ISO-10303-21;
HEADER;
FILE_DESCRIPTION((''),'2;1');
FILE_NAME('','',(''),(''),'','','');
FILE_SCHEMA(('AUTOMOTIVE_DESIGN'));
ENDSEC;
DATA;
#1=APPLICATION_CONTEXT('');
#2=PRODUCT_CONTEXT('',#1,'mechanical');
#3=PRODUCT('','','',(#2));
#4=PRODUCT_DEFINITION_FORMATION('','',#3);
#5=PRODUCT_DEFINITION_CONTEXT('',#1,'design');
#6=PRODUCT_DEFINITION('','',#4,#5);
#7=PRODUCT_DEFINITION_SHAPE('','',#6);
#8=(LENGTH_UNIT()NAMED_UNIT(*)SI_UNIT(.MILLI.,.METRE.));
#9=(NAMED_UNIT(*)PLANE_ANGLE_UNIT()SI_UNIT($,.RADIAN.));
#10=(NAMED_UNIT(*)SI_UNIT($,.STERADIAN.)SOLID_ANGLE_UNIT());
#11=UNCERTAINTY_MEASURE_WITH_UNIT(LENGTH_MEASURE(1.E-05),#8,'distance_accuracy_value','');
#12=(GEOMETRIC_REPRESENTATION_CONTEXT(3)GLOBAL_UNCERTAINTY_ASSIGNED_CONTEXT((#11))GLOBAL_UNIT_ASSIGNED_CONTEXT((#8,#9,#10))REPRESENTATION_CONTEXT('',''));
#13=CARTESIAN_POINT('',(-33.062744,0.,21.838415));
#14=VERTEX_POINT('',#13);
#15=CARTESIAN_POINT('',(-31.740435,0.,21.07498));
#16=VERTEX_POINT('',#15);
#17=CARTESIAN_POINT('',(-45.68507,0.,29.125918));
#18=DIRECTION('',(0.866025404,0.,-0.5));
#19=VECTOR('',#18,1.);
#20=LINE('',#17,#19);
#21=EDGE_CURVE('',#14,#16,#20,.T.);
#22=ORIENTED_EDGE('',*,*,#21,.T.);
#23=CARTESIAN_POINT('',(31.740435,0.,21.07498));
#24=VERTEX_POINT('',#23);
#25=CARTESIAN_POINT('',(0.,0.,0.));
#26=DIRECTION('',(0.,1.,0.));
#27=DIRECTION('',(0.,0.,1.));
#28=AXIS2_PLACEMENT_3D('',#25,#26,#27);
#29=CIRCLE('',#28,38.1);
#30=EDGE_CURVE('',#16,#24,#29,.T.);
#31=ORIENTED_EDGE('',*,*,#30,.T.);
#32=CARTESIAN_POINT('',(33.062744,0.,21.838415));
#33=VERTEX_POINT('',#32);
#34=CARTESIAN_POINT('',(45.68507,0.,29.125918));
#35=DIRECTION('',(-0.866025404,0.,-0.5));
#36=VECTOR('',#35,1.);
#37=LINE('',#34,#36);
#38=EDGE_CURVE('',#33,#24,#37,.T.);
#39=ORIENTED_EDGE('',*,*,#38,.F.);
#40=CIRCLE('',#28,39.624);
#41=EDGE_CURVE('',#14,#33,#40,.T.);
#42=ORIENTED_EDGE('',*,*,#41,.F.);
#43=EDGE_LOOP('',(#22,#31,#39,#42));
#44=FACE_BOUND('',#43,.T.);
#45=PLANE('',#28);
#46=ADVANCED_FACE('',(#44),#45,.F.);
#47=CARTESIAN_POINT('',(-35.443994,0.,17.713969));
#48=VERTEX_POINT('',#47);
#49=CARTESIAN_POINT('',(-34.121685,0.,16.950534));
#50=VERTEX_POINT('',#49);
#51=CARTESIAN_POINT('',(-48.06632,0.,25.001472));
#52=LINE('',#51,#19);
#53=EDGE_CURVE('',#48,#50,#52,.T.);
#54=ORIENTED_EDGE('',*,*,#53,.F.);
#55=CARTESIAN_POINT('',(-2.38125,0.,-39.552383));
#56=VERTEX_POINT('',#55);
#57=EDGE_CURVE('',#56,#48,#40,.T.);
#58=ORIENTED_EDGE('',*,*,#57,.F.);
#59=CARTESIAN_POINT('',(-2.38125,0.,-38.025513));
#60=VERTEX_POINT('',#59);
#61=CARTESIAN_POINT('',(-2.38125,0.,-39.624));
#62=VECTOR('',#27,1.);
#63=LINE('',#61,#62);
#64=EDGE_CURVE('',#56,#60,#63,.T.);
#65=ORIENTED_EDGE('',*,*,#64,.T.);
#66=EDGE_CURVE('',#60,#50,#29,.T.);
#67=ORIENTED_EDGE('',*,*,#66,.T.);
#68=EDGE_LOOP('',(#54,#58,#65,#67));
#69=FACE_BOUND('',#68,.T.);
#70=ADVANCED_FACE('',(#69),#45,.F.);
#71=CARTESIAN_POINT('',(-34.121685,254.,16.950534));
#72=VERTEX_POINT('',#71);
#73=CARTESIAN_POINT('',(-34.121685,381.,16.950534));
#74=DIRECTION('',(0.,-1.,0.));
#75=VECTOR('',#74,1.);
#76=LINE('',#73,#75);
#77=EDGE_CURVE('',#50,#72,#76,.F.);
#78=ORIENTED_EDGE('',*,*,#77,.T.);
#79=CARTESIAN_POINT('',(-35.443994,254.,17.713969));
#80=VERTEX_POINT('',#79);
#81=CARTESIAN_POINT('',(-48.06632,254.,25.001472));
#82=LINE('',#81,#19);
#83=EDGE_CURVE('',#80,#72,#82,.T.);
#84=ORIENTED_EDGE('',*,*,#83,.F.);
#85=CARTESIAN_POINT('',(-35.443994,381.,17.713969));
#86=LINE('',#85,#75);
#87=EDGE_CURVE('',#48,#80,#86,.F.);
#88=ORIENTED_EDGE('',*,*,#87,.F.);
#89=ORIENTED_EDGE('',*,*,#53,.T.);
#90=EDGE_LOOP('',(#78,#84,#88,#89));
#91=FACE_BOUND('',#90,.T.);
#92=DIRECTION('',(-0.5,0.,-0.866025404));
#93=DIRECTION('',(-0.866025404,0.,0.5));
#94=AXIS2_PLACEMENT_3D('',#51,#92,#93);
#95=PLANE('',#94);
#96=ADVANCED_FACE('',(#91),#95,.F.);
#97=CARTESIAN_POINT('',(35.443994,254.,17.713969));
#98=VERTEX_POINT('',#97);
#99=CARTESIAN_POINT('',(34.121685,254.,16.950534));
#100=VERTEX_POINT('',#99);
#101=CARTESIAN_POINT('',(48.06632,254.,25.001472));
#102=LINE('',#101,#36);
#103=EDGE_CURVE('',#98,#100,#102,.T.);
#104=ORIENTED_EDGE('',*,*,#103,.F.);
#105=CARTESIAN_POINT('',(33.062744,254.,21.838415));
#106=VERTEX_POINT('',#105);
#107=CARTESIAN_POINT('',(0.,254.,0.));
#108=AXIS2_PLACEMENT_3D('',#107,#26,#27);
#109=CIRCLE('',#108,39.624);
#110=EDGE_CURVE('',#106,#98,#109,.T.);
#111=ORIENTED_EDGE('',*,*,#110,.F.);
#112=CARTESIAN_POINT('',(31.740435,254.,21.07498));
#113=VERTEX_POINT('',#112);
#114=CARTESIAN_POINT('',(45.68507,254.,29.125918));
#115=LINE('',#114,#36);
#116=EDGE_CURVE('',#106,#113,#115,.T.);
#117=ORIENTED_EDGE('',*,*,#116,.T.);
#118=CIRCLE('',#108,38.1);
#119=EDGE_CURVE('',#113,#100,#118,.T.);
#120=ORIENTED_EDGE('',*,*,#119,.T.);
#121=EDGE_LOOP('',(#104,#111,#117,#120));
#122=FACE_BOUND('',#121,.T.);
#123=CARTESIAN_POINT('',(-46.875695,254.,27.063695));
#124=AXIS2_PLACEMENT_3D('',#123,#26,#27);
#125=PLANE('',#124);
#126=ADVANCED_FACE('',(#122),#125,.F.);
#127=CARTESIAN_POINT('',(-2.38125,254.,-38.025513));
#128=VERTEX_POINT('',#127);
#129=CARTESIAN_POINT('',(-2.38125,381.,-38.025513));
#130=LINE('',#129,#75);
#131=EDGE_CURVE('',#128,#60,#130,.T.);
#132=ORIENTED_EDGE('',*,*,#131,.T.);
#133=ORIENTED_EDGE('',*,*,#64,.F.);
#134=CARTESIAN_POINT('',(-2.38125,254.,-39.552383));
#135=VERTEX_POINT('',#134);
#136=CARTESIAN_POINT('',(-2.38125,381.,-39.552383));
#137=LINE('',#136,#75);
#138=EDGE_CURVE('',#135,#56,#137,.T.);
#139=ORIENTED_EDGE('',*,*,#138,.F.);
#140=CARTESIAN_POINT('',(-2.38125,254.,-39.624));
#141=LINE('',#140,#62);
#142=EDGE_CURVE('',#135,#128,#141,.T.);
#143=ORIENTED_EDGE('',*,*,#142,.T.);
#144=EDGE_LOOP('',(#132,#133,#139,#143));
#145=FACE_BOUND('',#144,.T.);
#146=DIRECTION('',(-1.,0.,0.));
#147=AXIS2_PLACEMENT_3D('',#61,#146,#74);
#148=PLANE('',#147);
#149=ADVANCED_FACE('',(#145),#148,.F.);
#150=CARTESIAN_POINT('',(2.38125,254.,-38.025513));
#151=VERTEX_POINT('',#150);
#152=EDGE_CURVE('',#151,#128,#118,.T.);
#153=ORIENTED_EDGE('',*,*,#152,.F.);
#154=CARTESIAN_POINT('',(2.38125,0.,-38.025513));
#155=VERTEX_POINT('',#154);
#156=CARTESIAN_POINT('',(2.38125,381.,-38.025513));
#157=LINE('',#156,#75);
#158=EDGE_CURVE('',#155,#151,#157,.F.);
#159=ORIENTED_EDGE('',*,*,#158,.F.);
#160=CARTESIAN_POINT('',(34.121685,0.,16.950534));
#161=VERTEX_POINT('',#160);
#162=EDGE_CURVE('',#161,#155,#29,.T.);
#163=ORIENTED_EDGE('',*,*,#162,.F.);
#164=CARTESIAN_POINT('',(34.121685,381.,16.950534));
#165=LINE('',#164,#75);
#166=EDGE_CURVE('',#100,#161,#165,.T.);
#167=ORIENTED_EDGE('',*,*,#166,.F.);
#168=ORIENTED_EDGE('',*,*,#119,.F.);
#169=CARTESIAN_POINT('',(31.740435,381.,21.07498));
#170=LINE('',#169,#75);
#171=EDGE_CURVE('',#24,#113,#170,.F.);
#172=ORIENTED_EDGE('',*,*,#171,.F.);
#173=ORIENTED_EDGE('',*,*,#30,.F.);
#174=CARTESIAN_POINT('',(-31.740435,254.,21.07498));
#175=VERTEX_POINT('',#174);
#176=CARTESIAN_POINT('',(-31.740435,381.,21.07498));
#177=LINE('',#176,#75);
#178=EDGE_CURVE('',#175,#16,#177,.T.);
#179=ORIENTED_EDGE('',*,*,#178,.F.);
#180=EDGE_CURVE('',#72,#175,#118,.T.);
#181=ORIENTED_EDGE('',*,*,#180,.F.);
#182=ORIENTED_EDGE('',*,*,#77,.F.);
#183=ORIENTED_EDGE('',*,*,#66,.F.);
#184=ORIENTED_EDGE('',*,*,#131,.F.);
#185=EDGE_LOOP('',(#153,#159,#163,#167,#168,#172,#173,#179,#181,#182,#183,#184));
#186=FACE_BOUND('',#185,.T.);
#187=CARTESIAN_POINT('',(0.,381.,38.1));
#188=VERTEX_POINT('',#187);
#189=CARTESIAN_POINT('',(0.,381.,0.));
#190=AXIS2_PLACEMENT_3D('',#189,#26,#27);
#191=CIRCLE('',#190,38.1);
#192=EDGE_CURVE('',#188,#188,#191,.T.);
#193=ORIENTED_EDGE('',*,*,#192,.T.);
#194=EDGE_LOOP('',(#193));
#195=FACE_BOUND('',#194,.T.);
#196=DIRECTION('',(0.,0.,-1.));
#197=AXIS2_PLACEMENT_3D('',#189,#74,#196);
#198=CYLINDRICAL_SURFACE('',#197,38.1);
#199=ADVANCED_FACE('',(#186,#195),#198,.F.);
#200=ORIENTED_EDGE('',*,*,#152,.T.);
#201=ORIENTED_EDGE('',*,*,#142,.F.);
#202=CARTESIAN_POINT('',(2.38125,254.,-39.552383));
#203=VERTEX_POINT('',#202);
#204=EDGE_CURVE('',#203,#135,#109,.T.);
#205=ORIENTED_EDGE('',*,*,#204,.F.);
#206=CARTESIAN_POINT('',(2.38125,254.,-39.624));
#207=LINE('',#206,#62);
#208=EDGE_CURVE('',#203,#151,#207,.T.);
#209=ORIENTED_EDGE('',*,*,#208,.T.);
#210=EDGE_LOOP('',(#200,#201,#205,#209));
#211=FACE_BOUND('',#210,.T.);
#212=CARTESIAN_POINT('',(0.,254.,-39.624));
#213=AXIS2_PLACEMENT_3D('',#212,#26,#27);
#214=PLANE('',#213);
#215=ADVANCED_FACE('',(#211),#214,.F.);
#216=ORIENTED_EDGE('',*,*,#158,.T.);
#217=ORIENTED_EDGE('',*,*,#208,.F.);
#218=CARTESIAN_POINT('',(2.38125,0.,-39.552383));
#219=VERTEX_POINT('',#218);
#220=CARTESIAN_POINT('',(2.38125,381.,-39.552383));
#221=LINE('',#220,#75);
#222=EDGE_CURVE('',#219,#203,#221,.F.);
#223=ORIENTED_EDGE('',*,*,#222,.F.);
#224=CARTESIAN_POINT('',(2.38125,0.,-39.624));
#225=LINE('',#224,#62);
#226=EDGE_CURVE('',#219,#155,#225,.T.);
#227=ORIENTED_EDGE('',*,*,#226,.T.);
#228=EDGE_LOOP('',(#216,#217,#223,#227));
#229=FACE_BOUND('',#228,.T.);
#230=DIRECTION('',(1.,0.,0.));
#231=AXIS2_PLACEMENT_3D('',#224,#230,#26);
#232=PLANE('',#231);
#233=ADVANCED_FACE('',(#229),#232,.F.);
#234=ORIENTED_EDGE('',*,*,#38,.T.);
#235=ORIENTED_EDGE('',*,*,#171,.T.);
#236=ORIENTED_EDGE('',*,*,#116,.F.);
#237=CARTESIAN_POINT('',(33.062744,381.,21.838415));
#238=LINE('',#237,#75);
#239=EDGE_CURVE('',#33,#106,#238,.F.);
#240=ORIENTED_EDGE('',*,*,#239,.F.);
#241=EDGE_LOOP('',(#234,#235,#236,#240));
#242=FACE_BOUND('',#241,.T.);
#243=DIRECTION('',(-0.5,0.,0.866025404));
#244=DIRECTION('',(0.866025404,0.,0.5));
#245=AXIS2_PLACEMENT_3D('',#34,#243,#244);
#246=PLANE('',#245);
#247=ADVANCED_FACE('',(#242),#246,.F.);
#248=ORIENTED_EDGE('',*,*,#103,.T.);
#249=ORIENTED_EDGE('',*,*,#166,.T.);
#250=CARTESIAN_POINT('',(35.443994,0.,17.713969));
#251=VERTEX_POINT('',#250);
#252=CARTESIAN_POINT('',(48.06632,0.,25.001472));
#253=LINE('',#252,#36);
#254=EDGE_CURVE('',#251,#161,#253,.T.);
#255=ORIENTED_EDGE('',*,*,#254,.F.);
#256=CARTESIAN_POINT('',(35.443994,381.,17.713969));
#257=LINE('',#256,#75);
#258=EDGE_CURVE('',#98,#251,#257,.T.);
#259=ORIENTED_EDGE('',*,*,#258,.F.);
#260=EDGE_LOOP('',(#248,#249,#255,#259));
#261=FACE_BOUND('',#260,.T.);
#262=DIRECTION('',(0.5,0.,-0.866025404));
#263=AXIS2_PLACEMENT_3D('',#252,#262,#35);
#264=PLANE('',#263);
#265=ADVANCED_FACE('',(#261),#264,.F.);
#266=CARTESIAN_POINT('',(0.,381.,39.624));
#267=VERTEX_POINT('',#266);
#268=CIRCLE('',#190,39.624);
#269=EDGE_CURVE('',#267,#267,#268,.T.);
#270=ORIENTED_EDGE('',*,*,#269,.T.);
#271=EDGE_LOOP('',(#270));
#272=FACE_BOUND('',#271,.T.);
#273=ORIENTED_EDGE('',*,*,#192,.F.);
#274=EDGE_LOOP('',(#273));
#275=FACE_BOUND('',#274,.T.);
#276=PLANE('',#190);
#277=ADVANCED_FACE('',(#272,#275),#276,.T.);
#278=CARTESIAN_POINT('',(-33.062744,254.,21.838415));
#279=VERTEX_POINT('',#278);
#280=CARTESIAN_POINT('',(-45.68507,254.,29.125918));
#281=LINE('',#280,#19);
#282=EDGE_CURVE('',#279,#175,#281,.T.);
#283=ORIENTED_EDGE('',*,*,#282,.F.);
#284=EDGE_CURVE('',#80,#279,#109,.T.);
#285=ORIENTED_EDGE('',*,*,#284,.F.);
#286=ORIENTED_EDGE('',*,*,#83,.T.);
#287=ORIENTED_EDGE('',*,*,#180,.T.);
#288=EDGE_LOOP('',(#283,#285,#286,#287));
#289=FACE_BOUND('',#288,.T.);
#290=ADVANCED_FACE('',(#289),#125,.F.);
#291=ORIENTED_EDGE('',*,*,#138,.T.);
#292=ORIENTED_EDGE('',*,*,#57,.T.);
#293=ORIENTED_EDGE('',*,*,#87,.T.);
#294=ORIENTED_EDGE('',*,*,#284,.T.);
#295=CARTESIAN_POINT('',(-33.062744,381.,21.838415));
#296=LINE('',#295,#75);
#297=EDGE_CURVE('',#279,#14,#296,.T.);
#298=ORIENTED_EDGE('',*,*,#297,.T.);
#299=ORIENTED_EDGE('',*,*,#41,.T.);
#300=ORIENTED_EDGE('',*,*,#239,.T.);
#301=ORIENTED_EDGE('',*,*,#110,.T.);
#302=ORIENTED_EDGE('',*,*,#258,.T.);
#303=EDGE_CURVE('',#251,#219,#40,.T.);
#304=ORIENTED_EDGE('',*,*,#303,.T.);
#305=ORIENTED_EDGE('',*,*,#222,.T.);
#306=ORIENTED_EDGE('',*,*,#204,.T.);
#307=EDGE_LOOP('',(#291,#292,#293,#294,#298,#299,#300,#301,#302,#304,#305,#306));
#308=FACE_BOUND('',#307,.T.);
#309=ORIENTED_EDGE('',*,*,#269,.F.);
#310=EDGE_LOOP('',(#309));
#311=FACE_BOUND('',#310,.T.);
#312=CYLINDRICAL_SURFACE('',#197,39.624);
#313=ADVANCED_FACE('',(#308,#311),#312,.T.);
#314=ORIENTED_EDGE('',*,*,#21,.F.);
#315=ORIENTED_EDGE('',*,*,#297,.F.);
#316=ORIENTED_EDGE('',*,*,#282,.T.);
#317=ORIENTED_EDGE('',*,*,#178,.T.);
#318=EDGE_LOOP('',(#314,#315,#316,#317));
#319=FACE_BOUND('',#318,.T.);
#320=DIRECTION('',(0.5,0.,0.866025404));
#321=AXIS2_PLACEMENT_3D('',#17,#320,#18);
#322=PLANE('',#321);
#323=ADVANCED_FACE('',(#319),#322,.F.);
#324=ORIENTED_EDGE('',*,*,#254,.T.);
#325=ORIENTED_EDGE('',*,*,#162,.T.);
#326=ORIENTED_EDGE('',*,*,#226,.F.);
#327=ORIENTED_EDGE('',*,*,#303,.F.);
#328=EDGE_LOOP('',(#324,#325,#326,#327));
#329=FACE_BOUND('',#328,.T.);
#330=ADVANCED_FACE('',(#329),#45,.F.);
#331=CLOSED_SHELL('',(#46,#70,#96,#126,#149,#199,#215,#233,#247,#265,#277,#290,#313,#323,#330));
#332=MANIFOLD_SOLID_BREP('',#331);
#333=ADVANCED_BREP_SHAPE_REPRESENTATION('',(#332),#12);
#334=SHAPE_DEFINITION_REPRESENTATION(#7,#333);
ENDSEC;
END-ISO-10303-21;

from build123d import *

# Parameters (mm, degrees)
SKETCH1_R           = 39.624
SKETCH1_R_2         = 38.1
BOSS_EXTRUDE1_DEPTH = 381
SKETCH2_W           = 4.7625
SKETCH2_H           = 254
CUT_EXTRUDE1_DEPTH  = 386.098848027
CIRPATTERN1_COUNT   = 3


with BuildPart() as part:
    # Sketch1 → Boss-Extrude1 (new body)
    with BuildSketch(Plane(origin=(0, 0, 0), x_dir=(1, 0, 0), z_dir=(0, 1, 0))):
        with Locations(Location((0, 0, 0), (0, 0, 270))):
            Circle(SKETCH1_R)
        with Locations(Location((0, 0, 0), (0, 0, 270))):
            Circle(SKETCH1_R_2, mode=Mode.SUBTRACT)
    extrude(amount=BOSS_EXTRUDE1_DEPTH)

    # Sketch2 → Cut-Extrude1 (cut, through all)
    with BuildSketch(Plane.XY):
        with Locations((0, 127)):
            Rectangle(SKETCH2_W, SKETCH2_H)
    cut_extrude1 = extrude(amount=-CUT_EXTRUDE1_DEPTH, mode=Mode.SUBTRACT)

    # CirPattern1: Cut-Extrude1 ×3 about axis
    cirpattern1_axis = Axis((0, 0, 0), (0, 1, 0))
    for i in range(1, CIRPATTERN1_COUNT):
        add(cut_extrude1.rotate(cirpattern1_axis, i * 360 / CIRPATTERN1_COUNT), mode=Mode.SUBTRACT)


solid = part.part
